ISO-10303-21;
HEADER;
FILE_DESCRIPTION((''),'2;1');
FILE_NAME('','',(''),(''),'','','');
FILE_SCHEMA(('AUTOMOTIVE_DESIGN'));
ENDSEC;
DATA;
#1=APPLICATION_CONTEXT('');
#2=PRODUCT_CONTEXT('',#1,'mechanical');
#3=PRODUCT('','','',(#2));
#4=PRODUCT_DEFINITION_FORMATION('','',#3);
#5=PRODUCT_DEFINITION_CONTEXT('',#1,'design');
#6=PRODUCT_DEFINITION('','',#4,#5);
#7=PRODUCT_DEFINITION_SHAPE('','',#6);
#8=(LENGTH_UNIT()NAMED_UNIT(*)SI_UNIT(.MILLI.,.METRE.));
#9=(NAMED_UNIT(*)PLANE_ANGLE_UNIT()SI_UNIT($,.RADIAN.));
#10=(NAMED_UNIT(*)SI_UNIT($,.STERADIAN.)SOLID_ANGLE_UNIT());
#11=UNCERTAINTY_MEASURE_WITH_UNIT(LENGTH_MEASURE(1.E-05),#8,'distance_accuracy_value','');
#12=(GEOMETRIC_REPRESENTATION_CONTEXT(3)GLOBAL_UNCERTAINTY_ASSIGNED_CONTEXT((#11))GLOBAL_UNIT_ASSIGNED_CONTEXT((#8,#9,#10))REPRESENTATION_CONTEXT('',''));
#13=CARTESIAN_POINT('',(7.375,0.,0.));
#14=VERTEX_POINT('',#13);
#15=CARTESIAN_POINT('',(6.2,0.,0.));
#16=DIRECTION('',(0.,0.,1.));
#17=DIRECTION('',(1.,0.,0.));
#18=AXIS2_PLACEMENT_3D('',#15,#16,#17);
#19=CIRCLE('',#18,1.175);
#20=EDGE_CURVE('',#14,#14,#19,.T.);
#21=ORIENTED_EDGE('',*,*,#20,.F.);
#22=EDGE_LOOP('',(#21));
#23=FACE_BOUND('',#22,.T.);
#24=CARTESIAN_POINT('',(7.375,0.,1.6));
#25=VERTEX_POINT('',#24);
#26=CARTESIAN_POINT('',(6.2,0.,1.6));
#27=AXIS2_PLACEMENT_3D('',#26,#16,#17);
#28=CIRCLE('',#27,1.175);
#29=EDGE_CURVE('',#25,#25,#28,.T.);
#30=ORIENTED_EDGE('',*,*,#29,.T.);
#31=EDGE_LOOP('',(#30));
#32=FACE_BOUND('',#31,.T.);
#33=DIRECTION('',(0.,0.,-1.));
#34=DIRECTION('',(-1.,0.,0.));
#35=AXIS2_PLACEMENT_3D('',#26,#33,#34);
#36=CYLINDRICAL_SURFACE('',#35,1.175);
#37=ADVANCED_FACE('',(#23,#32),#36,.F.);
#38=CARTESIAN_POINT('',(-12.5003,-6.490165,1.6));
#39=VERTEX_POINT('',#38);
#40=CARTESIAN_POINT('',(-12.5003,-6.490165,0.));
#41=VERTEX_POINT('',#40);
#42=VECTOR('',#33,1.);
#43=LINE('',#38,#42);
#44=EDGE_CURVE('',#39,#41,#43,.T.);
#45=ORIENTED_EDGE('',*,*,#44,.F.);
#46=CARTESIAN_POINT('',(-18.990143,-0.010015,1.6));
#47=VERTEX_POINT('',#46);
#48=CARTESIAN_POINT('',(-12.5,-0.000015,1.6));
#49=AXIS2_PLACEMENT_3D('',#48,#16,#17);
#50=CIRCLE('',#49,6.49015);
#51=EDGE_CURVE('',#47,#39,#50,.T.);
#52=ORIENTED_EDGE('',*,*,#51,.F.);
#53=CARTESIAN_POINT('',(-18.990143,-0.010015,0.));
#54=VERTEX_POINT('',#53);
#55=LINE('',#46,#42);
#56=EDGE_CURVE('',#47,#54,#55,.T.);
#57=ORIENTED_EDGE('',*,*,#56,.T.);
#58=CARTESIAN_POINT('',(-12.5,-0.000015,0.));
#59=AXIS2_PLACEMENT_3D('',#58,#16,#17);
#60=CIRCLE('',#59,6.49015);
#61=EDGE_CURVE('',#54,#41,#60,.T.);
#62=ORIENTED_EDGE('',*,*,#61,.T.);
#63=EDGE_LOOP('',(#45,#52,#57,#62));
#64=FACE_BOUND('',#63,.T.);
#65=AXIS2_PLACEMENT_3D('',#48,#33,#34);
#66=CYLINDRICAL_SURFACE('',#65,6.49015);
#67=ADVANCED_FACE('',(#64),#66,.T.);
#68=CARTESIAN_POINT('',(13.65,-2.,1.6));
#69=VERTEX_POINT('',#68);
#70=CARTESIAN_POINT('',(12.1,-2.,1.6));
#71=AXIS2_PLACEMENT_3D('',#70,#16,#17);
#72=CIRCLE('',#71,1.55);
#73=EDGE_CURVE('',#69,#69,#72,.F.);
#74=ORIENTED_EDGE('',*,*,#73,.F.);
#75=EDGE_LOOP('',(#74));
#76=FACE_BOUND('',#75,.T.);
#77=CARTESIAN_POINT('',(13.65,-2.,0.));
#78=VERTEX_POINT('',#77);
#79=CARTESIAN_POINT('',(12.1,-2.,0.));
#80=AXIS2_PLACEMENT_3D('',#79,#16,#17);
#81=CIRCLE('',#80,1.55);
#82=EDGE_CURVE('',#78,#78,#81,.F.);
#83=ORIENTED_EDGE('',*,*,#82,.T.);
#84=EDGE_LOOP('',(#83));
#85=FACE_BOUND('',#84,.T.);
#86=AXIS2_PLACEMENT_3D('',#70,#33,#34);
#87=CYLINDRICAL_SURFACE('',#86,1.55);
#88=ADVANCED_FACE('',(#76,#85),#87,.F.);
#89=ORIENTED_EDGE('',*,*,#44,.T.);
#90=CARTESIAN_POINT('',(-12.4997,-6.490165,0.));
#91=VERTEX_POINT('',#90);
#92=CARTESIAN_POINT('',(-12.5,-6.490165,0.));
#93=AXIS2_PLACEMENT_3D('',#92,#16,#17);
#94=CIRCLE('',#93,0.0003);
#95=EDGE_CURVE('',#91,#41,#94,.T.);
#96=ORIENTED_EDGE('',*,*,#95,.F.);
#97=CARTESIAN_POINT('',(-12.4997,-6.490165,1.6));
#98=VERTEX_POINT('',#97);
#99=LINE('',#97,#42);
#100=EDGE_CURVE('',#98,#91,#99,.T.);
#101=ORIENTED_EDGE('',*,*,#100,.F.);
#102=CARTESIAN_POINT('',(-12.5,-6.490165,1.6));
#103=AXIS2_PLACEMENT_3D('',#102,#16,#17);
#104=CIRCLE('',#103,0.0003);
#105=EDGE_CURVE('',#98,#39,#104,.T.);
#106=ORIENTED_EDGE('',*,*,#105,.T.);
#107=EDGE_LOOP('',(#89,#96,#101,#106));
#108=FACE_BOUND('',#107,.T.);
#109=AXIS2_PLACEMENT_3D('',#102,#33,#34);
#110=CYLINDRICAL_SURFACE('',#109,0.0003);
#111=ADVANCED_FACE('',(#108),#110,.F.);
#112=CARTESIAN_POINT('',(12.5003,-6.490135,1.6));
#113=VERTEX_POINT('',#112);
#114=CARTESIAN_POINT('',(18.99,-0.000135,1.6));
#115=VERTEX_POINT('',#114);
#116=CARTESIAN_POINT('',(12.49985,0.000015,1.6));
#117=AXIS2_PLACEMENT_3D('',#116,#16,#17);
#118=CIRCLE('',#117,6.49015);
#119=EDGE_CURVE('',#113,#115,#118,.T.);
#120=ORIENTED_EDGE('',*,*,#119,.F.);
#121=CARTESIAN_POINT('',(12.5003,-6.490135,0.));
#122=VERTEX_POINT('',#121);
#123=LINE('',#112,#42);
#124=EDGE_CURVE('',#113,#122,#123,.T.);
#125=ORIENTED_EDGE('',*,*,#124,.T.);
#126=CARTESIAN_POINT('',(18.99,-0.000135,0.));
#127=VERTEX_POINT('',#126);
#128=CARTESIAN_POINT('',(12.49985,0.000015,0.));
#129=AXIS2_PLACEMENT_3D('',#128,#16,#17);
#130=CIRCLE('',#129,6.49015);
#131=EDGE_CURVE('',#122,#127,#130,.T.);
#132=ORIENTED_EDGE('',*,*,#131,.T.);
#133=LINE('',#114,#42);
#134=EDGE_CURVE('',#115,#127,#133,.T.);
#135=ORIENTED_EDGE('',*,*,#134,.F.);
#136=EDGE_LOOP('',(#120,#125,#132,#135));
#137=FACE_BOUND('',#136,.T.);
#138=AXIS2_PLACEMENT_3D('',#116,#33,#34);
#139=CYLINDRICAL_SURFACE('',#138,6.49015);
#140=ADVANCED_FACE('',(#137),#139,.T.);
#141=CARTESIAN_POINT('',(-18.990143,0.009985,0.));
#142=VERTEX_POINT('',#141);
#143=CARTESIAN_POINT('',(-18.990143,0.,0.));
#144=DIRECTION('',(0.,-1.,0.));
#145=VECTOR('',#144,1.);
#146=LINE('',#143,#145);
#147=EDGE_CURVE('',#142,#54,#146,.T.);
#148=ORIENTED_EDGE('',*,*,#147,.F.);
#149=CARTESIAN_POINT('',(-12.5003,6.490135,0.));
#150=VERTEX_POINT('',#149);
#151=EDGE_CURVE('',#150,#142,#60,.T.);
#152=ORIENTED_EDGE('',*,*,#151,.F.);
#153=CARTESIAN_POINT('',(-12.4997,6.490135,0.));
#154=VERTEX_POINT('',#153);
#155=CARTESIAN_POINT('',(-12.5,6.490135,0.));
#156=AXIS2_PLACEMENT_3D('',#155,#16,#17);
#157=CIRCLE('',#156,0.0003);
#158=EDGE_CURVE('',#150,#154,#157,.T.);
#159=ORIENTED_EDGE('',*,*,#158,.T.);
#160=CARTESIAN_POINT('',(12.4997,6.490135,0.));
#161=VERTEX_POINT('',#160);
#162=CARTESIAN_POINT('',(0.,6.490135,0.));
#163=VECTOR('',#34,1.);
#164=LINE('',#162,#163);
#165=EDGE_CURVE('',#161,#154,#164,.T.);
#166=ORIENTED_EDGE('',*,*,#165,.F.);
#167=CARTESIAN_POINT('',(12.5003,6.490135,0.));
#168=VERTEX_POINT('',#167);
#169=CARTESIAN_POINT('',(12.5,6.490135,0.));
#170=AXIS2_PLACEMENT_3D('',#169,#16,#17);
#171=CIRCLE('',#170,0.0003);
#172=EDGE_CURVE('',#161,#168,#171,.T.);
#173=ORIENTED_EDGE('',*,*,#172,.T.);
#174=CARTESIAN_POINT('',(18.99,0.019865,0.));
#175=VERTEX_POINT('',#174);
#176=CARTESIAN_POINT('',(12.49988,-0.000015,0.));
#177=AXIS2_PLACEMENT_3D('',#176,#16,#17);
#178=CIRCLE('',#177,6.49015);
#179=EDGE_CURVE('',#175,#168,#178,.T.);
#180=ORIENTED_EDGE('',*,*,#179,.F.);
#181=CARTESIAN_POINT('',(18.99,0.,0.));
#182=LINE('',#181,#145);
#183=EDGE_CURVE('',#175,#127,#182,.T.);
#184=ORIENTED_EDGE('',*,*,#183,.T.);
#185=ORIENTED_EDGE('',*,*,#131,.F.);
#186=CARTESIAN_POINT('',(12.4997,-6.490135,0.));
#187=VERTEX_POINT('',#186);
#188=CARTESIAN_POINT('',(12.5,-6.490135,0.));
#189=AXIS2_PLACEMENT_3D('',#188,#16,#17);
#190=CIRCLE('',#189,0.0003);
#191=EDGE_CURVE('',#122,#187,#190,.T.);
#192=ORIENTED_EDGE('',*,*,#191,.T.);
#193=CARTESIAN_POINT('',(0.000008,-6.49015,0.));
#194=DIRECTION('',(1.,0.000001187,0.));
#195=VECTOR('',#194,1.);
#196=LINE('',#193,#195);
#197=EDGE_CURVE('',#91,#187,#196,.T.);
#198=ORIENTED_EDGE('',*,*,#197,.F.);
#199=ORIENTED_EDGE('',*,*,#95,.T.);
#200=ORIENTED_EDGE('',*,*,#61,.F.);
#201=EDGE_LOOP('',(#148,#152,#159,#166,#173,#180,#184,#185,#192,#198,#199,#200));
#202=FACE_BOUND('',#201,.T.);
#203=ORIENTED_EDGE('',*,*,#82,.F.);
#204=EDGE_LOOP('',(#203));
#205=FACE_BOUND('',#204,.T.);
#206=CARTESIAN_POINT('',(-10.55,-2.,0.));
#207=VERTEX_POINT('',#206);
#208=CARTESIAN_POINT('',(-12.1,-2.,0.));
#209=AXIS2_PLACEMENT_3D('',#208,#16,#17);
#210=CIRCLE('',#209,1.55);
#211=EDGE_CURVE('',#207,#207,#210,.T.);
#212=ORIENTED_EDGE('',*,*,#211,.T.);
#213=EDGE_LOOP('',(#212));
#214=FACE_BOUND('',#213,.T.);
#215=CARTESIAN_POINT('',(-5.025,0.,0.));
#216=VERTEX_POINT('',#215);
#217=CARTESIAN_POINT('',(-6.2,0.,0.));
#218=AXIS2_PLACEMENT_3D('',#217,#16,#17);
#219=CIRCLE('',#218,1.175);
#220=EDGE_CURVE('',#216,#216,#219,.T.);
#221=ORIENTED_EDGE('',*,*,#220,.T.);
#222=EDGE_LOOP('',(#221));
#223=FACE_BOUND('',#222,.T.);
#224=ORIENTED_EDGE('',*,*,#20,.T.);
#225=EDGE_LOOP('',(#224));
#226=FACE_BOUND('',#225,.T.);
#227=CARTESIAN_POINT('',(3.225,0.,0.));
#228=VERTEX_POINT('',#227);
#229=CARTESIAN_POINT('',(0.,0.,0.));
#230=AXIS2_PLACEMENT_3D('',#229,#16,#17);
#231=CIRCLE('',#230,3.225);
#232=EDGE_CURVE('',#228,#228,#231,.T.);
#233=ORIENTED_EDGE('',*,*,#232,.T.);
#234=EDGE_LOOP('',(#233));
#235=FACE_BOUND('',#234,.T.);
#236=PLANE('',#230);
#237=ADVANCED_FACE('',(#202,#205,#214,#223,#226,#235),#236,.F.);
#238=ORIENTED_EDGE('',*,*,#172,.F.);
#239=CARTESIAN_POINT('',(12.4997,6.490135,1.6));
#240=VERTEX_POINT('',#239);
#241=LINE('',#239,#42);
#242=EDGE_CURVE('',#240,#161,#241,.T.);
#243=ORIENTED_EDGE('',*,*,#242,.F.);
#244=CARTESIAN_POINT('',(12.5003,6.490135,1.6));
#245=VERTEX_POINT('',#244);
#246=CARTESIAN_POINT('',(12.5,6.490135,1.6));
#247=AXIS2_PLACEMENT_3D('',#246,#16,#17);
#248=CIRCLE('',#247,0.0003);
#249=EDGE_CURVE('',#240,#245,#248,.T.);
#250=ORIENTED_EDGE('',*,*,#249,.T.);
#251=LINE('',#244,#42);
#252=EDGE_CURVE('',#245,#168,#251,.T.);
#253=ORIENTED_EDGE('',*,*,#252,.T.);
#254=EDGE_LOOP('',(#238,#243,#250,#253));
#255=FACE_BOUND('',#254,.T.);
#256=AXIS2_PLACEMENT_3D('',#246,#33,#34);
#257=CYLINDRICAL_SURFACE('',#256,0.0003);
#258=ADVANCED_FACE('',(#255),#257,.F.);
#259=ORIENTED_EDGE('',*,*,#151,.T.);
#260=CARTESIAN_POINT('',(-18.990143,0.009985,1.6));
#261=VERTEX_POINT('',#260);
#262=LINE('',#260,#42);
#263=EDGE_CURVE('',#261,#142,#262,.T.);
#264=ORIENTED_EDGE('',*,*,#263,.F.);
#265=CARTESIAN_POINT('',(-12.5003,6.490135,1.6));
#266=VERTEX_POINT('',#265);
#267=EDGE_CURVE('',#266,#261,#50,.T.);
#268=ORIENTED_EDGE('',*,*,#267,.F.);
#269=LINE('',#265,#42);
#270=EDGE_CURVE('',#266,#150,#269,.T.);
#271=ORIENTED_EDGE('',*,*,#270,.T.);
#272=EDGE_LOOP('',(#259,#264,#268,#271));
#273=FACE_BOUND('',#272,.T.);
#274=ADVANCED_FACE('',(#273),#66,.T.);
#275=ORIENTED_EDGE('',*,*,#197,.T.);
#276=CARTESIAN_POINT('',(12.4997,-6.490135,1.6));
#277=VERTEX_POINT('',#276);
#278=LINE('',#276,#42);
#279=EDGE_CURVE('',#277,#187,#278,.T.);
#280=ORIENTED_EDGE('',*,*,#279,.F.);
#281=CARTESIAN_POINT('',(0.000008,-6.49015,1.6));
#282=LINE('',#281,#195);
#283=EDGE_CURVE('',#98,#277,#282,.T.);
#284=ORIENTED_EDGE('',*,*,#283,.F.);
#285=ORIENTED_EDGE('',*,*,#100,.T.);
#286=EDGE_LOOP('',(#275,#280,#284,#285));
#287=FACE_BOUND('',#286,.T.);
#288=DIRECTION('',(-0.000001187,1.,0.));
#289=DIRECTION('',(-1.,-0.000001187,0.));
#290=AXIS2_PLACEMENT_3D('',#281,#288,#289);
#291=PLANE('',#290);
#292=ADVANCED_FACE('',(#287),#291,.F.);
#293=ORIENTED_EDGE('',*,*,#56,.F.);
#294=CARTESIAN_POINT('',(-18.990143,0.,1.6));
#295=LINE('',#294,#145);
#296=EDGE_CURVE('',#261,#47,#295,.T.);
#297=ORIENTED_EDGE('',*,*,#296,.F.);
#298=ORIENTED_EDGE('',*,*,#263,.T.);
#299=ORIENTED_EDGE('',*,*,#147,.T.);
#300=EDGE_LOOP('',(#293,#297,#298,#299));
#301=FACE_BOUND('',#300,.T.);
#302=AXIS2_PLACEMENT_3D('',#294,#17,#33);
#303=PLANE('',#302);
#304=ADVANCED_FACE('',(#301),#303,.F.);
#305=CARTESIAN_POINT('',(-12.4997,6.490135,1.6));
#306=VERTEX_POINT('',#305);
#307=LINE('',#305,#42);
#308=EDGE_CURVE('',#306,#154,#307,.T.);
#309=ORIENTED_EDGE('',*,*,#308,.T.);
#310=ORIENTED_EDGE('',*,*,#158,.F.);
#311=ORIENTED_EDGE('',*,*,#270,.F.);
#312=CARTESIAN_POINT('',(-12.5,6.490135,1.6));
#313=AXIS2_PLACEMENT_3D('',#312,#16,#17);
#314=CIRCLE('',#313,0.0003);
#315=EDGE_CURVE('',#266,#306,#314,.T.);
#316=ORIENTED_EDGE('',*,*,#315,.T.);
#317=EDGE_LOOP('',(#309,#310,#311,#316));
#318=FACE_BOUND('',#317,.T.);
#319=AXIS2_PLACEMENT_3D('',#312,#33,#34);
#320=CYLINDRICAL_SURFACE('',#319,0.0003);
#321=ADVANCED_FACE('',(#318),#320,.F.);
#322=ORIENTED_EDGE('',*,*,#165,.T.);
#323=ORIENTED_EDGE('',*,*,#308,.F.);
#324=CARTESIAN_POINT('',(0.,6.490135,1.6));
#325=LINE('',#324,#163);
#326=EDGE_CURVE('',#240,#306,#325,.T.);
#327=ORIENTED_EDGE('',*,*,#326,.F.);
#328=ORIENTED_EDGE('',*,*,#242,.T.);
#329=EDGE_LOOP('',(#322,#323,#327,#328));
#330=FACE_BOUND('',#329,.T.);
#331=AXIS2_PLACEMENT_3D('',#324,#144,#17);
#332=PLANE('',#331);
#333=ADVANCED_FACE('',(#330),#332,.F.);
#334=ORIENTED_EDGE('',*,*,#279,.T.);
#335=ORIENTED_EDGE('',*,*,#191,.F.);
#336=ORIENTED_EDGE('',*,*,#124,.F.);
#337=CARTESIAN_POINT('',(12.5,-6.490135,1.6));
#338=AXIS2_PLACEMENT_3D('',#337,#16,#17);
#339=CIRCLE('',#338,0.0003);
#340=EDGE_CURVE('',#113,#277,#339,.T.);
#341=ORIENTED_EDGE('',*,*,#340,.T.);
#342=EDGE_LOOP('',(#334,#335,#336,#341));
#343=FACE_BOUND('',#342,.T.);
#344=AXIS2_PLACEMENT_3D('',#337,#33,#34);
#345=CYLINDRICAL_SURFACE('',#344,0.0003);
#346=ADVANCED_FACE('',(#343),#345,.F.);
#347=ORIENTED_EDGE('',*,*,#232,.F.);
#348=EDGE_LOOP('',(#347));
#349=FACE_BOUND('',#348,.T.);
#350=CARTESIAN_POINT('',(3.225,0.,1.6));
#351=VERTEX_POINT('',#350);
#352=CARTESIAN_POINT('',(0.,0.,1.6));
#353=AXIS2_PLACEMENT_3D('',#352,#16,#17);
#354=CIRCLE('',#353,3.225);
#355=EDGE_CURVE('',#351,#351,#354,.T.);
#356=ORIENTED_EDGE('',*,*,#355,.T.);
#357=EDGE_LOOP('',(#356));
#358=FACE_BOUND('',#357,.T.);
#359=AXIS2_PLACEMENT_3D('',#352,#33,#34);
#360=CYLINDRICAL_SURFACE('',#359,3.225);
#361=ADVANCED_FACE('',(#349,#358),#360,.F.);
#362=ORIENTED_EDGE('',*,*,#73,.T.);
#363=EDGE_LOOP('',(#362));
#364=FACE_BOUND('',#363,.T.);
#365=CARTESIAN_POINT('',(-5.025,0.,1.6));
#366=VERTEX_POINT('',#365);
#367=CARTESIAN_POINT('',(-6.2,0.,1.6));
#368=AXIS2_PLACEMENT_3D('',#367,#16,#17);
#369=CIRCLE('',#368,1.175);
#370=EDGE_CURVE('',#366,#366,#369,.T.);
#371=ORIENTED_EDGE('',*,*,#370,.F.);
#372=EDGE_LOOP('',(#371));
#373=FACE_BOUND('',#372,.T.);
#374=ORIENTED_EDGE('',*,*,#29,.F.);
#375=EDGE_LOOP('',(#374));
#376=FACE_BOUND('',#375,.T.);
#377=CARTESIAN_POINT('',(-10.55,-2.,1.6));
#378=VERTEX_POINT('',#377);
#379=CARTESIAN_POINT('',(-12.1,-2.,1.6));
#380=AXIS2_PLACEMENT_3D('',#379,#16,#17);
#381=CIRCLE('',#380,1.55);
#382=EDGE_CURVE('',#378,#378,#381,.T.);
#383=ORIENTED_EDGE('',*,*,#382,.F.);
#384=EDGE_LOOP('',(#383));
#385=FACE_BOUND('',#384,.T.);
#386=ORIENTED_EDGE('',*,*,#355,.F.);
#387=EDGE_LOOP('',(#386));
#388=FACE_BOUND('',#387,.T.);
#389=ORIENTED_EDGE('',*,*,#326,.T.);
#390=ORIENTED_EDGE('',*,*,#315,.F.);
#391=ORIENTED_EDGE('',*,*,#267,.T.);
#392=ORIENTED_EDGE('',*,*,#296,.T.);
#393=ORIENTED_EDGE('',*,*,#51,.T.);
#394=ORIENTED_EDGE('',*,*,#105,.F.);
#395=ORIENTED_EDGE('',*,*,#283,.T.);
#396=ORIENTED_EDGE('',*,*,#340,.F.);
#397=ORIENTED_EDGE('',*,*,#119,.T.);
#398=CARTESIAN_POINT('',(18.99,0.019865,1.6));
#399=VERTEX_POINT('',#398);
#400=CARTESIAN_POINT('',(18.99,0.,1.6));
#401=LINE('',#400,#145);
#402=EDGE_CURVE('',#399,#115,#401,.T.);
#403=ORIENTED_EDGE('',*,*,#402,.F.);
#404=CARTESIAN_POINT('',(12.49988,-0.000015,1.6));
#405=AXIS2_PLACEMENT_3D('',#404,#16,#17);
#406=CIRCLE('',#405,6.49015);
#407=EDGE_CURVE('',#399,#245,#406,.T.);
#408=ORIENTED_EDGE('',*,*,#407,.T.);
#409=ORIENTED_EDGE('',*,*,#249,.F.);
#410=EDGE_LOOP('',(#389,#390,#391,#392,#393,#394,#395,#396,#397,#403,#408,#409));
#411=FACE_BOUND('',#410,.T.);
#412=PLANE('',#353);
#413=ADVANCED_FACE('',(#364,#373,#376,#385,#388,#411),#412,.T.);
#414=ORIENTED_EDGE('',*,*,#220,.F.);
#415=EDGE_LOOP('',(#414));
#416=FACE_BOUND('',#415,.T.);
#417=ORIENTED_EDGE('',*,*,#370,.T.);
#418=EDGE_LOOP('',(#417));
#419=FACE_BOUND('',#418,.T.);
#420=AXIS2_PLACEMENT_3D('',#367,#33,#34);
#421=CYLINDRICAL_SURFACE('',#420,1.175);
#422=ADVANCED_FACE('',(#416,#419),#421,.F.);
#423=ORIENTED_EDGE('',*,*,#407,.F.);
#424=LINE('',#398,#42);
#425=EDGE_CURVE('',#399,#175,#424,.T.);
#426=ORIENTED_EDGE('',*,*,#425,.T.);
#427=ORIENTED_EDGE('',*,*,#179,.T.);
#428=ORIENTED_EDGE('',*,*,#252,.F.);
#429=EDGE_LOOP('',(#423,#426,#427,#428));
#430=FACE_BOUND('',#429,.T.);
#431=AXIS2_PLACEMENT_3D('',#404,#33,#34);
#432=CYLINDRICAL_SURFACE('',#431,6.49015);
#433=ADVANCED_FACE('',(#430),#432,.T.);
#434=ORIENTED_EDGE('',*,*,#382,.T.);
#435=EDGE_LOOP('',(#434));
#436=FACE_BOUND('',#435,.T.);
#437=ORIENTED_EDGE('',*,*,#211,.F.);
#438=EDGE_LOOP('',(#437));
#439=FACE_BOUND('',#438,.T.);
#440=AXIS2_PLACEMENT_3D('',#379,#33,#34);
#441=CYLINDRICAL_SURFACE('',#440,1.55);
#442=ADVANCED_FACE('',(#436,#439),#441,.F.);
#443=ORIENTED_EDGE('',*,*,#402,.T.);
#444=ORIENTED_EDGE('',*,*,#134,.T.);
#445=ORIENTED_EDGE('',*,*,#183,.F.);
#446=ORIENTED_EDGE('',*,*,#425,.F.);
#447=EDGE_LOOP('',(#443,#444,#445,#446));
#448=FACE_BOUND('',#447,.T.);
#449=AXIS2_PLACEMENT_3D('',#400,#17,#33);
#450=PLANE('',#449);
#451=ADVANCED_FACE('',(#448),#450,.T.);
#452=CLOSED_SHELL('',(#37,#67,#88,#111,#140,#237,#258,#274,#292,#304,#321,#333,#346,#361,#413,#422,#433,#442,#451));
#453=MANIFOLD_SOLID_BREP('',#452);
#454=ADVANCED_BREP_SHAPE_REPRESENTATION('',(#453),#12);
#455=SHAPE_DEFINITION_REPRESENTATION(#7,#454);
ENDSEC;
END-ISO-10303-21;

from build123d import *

# Parameters (mm, degrees)
MODEL_R                 = 1.55
MODEL_R_2               = 1.175
MODEL_R_3               = 3.225
SALIENTE_EXTRUIR1_DEPTH = 1.6


with BuildPart() as part:
    # Model → Saliente-Extruir1 (new body)
    with BuildSketch(Plane.XY):
        with BuildLine():
            Line((18.99, -0.000135429), (18.99, 0.019864571))
            ThreePointArc((18.99, 0.019864571), (17.082224275, 4.596089282), (12.5003, 6.490135416))
            ThreePointArc((12.5003, 6.490135429), (12.5, 6.489835429), (12.4997, 6.490135429))
            Line((12.4997, 6.490135429), (0, 6.490135429))
            Line((0, 6.490135429), (-12.4997, 6.490135429))
            ThreePointArc((-12.4997, 6.490135429), (-12.499999997, 6.489835429), (-12.5003, 6.490135422))
            ThreePointArc((-12.5003, 6.490135422), (-17.085798512, 4.592642615), (-18.990142559, 0.009985166))
            Line((-18.990142559, 0.009985166), (-18.990142559, -0.010014834))
            ThreePointArc((-18.990142559, -0.010014834), (-17.085798512, -4.592672284), (-12.5003, -6.490165091))
            ThreePointArc((-12.5003, -6.490165091), (-12.499999997, -6.489865098), (-12.4997, -6.490165098))
            Line((-12.4997, -6.490165098), (12.4997, -6.490135429))
            ThreePointArc((12.4997, -6.490135429), (12.5, -6.489835429), (12.5003, -6.490135429))
            ThreePointArc((12.5003, -6.490135415), (17.089185065, -4.589108362), (18.99, -0.000135429))
        make_face()
        with Locations((-12.1, -2)):
            Circle(MODEL_R, mode=Mode.SUBTRACT)
        with Locations((12.1, -2)):
            Circle(MODEL_R, mode=Mode.SUBTRACT)
        with Locations((-6.2, 0)):
            Circle(MODEL_R_2, mode=Mode.SUBTRACT)
        Circle(MODEL_R_3, mode=Mode.SUBTRACT)
        with Locations((6.2, 0)):
            Circle(MODEL_R_2, mode=Mode.SUBTRACT)
    extrude(amount=SALIENTE_EXTRUIR1_DEPTH)


solid = part.part
